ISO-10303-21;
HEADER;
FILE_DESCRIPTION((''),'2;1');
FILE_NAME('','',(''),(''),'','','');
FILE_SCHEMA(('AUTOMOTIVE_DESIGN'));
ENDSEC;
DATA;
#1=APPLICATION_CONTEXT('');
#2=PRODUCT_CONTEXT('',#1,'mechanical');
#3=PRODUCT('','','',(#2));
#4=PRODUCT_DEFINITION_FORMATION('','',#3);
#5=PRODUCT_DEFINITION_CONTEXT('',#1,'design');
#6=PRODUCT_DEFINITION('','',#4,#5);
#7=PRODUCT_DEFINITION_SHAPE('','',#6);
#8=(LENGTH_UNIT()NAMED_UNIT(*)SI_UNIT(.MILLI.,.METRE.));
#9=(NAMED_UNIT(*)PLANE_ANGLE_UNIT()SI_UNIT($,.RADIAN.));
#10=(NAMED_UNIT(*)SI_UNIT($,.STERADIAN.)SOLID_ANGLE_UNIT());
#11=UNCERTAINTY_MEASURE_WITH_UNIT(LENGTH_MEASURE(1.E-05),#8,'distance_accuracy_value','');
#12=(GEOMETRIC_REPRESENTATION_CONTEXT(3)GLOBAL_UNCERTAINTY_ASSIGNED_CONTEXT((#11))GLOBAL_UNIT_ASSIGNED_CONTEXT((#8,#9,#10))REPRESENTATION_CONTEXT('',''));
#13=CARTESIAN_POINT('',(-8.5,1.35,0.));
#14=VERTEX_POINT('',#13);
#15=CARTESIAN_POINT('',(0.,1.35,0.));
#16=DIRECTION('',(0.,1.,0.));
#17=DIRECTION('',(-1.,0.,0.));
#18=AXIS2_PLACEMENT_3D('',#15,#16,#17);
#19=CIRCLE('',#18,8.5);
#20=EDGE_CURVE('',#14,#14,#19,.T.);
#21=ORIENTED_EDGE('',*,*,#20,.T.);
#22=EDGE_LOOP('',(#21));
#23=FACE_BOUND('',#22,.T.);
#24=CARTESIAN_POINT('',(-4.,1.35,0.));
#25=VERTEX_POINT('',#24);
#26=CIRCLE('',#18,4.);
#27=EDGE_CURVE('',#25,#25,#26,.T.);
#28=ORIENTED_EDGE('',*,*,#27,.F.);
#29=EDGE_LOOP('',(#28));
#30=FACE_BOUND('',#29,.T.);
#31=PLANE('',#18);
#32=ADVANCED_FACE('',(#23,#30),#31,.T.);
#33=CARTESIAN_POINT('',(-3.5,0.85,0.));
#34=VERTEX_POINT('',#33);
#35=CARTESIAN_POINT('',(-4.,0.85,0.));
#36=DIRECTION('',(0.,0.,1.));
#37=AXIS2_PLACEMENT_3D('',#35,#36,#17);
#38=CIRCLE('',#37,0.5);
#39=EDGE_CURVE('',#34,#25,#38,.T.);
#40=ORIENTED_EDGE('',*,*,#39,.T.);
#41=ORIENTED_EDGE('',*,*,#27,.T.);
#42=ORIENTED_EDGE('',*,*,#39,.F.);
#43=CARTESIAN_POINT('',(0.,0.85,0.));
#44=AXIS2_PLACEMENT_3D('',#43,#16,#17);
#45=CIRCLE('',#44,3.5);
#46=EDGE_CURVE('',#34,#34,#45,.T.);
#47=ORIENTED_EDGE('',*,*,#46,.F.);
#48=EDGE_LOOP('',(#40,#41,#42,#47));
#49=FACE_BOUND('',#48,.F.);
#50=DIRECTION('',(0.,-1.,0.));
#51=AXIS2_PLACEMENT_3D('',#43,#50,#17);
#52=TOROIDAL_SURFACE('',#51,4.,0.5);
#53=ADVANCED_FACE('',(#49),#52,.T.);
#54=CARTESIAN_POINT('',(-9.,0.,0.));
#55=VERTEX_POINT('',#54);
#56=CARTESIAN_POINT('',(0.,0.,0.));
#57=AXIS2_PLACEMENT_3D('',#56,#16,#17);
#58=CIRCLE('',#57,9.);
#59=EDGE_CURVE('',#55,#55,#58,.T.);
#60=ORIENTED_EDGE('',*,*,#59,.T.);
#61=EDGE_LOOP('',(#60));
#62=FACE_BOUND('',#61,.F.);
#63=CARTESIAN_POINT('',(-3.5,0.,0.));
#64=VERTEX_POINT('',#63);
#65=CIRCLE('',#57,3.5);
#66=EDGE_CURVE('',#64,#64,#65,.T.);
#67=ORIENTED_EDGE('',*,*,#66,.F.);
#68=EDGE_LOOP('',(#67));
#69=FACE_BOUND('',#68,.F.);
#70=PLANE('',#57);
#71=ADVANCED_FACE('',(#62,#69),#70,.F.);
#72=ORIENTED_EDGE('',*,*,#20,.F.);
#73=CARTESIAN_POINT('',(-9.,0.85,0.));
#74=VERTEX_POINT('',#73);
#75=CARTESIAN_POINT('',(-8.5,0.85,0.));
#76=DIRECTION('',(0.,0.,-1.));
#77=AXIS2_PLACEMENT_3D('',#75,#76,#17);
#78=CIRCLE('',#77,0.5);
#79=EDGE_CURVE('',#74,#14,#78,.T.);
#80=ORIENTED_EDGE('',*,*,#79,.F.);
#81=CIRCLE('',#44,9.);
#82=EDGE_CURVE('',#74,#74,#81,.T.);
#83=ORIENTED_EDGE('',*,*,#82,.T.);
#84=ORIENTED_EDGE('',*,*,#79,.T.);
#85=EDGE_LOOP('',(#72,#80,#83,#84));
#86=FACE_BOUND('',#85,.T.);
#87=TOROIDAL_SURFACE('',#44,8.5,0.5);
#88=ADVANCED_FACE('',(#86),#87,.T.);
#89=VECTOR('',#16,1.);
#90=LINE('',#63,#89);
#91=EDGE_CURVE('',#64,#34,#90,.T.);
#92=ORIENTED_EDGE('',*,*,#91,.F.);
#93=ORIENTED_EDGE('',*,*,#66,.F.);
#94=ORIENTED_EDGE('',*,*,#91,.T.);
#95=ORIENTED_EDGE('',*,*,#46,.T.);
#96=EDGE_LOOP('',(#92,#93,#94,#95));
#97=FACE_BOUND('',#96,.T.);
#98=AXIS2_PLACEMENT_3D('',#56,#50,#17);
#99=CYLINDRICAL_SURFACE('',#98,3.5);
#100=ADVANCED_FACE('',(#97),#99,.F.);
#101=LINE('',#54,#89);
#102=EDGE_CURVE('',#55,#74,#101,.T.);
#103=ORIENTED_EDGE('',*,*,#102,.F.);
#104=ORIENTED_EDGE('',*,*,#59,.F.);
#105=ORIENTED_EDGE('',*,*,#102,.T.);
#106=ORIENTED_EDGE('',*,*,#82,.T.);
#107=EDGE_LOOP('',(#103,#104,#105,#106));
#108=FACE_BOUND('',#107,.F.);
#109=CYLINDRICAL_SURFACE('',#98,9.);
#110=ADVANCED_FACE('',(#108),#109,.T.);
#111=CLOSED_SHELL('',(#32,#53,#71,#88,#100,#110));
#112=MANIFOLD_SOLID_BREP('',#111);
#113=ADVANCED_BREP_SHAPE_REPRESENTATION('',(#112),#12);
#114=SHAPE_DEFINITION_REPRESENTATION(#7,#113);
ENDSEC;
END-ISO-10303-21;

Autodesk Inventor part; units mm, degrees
ref_plane "YZ Plane" through (0, 0, 0) normal (1, 0, 0) x (0, 1, 0)
ref_plane "XZ Plane" through (0, 0, 0) normal (0, 1, 0) x (-1, 0, 0)
ref_plane "XY Plane" through (0, 0, 0) normal (0, 0, 1) x (1, 0, 0)
sketch "Esboço1" plane through (0, 0, 0) normal (0, 1, 0) x (-1, 0, 0)
  circle A0 centre (0, 0) radius 9
  circle A1 centre (0, 0) radius 3.5
  dimension "d0" = 18
  dimension "d1" = 7
extrude "Extrusão1" add sketch "Esboço1" along normal blind 1.35
fillet "Arredondamento1" radius 0.5 2 edges at (9, 1.35, 0) (3.5, 1.35, 0)
properties part number "Arruela lisa para 1 quarto" material "Aço, carbono"
